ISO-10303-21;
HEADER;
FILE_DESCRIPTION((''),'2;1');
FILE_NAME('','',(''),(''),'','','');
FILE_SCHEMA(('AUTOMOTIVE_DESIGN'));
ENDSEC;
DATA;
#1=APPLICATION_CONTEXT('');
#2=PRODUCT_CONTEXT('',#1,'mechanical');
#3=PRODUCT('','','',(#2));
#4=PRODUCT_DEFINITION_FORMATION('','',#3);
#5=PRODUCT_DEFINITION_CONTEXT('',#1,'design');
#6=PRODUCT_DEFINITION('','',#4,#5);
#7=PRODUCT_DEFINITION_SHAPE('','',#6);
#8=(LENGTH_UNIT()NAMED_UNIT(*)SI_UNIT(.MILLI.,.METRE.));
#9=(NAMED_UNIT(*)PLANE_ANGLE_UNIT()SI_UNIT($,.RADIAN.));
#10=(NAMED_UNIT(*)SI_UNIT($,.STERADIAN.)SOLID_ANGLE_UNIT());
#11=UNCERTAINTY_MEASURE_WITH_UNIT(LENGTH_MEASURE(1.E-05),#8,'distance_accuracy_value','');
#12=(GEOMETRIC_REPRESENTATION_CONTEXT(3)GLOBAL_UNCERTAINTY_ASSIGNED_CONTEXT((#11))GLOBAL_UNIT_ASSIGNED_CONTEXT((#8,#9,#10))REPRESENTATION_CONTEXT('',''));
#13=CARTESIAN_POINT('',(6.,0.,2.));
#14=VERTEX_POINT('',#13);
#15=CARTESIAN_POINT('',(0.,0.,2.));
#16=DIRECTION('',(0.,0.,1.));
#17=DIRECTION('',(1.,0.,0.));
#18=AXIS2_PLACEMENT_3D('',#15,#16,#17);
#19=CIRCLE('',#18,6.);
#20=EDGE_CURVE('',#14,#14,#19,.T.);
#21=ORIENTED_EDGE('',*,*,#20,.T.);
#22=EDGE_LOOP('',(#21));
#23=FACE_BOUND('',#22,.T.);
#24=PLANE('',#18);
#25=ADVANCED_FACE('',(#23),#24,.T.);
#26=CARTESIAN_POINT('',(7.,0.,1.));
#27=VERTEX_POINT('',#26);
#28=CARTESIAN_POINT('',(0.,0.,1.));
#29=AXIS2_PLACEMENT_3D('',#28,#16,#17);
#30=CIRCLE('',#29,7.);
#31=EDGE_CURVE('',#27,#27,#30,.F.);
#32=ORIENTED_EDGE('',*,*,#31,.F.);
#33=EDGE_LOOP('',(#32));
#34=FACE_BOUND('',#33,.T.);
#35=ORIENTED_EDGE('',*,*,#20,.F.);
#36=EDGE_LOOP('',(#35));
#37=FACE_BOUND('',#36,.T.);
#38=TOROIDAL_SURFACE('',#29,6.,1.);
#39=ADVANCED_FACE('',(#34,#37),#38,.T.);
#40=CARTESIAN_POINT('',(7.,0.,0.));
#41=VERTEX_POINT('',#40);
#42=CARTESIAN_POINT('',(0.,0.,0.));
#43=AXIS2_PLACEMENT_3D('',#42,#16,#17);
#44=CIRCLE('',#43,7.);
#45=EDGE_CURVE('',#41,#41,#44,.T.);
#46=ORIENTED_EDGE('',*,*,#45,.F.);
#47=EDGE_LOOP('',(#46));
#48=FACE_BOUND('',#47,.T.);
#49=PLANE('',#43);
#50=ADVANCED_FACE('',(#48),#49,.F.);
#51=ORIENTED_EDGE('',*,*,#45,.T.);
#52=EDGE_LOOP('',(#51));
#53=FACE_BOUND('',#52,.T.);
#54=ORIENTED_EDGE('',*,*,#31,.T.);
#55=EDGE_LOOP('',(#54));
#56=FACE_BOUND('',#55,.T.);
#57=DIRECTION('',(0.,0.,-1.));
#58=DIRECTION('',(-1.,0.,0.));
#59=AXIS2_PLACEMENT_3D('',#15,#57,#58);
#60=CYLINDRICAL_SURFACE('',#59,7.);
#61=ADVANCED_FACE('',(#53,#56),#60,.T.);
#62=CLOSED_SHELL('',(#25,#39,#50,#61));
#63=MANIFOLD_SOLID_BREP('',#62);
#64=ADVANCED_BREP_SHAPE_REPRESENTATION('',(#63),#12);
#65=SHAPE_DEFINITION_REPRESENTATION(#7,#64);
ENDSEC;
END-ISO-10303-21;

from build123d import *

# Parameters (mm, degrees)
SKETCH_1_R      = 7
EXTRUDE_1_DEPTH = 2
FILLET_1_R      = 1


with BuildPart() as part:
    # Эскиз1 → Бобышка-Вытянуть1 (new body)
    with BuildSketch(Plane.XY):
        Circle(SKETCH_1_R)
    extrude(amount=EXTRUDE_1_DEPTH)

    # Скругление1
    fillet_1_edges = [part.edges().sort_by_distance(p)[0] for p in [
        (-7, 0, 2),
    ]]
    fillet(fillet_1_edges, radius=FILLET_1_R)


solid = part.part
